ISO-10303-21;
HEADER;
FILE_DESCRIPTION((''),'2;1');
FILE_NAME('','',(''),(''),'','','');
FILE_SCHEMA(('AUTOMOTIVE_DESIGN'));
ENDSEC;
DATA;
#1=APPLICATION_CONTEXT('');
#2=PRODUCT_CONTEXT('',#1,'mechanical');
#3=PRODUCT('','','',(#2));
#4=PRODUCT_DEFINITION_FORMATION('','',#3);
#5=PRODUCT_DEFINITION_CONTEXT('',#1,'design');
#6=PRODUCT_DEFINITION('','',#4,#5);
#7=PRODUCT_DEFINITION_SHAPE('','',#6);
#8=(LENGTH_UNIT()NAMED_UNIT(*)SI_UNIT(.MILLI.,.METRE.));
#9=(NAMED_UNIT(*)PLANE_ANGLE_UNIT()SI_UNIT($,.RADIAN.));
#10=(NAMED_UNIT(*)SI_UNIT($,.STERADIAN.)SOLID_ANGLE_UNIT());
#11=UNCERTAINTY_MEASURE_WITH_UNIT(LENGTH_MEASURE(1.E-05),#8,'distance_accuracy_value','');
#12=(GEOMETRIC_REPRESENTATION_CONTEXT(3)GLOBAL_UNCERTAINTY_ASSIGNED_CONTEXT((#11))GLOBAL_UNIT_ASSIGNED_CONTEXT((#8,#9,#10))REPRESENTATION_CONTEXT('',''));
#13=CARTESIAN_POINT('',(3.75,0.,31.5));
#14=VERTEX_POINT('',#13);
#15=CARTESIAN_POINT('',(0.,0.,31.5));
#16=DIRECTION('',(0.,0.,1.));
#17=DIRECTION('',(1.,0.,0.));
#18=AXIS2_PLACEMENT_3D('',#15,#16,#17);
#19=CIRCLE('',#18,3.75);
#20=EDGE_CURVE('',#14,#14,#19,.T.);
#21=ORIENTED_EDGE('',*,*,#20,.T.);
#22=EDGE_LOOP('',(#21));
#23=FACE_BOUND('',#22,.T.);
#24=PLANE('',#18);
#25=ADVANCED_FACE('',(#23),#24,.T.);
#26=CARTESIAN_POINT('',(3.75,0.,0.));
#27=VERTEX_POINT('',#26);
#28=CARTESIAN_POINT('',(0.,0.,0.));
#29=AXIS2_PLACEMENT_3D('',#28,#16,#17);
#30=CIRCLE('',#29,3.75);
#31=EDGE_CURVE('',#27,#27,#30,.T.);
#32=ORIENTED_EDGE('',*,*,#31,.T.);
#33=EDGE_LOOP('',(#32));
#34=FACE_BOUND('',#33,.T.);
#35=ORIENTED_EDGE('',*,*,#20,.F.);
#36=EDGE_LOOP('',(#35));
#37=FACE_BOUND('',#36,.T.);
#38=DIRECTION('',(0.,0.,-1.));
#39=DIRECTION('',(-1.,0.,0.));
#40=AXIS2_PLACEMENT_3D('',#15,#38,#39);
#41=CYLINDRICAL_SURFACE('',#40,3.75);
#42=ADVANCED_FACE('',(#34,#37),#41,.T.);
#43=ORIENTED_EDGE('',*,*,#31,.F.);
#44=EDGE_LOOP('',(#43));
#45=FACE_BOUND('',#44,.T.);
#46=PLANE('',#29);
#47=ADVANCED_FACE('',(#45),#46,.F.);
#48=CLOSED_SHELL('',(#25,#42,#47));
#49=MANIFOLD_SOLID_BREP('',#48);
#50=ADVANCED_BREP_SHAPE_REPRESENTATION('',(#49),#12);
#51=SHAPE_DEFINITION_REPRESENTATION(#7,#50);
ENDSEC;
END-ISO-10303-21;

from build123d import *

# Parameters (mm, degrees)
SKETCH_1_R      = 3.75
EXTRUDE_1_DEPTH = 31.5


with BuildPart() as part:
    # Эскиз1 → Бобышка-Вытянуть1 (new body)
    with BuildSketch(Plane.XY):
        Circle(SKETCH_1_R)
    extrude(amount=EXTRUDE_1_DEPTH)


solid = part.part
